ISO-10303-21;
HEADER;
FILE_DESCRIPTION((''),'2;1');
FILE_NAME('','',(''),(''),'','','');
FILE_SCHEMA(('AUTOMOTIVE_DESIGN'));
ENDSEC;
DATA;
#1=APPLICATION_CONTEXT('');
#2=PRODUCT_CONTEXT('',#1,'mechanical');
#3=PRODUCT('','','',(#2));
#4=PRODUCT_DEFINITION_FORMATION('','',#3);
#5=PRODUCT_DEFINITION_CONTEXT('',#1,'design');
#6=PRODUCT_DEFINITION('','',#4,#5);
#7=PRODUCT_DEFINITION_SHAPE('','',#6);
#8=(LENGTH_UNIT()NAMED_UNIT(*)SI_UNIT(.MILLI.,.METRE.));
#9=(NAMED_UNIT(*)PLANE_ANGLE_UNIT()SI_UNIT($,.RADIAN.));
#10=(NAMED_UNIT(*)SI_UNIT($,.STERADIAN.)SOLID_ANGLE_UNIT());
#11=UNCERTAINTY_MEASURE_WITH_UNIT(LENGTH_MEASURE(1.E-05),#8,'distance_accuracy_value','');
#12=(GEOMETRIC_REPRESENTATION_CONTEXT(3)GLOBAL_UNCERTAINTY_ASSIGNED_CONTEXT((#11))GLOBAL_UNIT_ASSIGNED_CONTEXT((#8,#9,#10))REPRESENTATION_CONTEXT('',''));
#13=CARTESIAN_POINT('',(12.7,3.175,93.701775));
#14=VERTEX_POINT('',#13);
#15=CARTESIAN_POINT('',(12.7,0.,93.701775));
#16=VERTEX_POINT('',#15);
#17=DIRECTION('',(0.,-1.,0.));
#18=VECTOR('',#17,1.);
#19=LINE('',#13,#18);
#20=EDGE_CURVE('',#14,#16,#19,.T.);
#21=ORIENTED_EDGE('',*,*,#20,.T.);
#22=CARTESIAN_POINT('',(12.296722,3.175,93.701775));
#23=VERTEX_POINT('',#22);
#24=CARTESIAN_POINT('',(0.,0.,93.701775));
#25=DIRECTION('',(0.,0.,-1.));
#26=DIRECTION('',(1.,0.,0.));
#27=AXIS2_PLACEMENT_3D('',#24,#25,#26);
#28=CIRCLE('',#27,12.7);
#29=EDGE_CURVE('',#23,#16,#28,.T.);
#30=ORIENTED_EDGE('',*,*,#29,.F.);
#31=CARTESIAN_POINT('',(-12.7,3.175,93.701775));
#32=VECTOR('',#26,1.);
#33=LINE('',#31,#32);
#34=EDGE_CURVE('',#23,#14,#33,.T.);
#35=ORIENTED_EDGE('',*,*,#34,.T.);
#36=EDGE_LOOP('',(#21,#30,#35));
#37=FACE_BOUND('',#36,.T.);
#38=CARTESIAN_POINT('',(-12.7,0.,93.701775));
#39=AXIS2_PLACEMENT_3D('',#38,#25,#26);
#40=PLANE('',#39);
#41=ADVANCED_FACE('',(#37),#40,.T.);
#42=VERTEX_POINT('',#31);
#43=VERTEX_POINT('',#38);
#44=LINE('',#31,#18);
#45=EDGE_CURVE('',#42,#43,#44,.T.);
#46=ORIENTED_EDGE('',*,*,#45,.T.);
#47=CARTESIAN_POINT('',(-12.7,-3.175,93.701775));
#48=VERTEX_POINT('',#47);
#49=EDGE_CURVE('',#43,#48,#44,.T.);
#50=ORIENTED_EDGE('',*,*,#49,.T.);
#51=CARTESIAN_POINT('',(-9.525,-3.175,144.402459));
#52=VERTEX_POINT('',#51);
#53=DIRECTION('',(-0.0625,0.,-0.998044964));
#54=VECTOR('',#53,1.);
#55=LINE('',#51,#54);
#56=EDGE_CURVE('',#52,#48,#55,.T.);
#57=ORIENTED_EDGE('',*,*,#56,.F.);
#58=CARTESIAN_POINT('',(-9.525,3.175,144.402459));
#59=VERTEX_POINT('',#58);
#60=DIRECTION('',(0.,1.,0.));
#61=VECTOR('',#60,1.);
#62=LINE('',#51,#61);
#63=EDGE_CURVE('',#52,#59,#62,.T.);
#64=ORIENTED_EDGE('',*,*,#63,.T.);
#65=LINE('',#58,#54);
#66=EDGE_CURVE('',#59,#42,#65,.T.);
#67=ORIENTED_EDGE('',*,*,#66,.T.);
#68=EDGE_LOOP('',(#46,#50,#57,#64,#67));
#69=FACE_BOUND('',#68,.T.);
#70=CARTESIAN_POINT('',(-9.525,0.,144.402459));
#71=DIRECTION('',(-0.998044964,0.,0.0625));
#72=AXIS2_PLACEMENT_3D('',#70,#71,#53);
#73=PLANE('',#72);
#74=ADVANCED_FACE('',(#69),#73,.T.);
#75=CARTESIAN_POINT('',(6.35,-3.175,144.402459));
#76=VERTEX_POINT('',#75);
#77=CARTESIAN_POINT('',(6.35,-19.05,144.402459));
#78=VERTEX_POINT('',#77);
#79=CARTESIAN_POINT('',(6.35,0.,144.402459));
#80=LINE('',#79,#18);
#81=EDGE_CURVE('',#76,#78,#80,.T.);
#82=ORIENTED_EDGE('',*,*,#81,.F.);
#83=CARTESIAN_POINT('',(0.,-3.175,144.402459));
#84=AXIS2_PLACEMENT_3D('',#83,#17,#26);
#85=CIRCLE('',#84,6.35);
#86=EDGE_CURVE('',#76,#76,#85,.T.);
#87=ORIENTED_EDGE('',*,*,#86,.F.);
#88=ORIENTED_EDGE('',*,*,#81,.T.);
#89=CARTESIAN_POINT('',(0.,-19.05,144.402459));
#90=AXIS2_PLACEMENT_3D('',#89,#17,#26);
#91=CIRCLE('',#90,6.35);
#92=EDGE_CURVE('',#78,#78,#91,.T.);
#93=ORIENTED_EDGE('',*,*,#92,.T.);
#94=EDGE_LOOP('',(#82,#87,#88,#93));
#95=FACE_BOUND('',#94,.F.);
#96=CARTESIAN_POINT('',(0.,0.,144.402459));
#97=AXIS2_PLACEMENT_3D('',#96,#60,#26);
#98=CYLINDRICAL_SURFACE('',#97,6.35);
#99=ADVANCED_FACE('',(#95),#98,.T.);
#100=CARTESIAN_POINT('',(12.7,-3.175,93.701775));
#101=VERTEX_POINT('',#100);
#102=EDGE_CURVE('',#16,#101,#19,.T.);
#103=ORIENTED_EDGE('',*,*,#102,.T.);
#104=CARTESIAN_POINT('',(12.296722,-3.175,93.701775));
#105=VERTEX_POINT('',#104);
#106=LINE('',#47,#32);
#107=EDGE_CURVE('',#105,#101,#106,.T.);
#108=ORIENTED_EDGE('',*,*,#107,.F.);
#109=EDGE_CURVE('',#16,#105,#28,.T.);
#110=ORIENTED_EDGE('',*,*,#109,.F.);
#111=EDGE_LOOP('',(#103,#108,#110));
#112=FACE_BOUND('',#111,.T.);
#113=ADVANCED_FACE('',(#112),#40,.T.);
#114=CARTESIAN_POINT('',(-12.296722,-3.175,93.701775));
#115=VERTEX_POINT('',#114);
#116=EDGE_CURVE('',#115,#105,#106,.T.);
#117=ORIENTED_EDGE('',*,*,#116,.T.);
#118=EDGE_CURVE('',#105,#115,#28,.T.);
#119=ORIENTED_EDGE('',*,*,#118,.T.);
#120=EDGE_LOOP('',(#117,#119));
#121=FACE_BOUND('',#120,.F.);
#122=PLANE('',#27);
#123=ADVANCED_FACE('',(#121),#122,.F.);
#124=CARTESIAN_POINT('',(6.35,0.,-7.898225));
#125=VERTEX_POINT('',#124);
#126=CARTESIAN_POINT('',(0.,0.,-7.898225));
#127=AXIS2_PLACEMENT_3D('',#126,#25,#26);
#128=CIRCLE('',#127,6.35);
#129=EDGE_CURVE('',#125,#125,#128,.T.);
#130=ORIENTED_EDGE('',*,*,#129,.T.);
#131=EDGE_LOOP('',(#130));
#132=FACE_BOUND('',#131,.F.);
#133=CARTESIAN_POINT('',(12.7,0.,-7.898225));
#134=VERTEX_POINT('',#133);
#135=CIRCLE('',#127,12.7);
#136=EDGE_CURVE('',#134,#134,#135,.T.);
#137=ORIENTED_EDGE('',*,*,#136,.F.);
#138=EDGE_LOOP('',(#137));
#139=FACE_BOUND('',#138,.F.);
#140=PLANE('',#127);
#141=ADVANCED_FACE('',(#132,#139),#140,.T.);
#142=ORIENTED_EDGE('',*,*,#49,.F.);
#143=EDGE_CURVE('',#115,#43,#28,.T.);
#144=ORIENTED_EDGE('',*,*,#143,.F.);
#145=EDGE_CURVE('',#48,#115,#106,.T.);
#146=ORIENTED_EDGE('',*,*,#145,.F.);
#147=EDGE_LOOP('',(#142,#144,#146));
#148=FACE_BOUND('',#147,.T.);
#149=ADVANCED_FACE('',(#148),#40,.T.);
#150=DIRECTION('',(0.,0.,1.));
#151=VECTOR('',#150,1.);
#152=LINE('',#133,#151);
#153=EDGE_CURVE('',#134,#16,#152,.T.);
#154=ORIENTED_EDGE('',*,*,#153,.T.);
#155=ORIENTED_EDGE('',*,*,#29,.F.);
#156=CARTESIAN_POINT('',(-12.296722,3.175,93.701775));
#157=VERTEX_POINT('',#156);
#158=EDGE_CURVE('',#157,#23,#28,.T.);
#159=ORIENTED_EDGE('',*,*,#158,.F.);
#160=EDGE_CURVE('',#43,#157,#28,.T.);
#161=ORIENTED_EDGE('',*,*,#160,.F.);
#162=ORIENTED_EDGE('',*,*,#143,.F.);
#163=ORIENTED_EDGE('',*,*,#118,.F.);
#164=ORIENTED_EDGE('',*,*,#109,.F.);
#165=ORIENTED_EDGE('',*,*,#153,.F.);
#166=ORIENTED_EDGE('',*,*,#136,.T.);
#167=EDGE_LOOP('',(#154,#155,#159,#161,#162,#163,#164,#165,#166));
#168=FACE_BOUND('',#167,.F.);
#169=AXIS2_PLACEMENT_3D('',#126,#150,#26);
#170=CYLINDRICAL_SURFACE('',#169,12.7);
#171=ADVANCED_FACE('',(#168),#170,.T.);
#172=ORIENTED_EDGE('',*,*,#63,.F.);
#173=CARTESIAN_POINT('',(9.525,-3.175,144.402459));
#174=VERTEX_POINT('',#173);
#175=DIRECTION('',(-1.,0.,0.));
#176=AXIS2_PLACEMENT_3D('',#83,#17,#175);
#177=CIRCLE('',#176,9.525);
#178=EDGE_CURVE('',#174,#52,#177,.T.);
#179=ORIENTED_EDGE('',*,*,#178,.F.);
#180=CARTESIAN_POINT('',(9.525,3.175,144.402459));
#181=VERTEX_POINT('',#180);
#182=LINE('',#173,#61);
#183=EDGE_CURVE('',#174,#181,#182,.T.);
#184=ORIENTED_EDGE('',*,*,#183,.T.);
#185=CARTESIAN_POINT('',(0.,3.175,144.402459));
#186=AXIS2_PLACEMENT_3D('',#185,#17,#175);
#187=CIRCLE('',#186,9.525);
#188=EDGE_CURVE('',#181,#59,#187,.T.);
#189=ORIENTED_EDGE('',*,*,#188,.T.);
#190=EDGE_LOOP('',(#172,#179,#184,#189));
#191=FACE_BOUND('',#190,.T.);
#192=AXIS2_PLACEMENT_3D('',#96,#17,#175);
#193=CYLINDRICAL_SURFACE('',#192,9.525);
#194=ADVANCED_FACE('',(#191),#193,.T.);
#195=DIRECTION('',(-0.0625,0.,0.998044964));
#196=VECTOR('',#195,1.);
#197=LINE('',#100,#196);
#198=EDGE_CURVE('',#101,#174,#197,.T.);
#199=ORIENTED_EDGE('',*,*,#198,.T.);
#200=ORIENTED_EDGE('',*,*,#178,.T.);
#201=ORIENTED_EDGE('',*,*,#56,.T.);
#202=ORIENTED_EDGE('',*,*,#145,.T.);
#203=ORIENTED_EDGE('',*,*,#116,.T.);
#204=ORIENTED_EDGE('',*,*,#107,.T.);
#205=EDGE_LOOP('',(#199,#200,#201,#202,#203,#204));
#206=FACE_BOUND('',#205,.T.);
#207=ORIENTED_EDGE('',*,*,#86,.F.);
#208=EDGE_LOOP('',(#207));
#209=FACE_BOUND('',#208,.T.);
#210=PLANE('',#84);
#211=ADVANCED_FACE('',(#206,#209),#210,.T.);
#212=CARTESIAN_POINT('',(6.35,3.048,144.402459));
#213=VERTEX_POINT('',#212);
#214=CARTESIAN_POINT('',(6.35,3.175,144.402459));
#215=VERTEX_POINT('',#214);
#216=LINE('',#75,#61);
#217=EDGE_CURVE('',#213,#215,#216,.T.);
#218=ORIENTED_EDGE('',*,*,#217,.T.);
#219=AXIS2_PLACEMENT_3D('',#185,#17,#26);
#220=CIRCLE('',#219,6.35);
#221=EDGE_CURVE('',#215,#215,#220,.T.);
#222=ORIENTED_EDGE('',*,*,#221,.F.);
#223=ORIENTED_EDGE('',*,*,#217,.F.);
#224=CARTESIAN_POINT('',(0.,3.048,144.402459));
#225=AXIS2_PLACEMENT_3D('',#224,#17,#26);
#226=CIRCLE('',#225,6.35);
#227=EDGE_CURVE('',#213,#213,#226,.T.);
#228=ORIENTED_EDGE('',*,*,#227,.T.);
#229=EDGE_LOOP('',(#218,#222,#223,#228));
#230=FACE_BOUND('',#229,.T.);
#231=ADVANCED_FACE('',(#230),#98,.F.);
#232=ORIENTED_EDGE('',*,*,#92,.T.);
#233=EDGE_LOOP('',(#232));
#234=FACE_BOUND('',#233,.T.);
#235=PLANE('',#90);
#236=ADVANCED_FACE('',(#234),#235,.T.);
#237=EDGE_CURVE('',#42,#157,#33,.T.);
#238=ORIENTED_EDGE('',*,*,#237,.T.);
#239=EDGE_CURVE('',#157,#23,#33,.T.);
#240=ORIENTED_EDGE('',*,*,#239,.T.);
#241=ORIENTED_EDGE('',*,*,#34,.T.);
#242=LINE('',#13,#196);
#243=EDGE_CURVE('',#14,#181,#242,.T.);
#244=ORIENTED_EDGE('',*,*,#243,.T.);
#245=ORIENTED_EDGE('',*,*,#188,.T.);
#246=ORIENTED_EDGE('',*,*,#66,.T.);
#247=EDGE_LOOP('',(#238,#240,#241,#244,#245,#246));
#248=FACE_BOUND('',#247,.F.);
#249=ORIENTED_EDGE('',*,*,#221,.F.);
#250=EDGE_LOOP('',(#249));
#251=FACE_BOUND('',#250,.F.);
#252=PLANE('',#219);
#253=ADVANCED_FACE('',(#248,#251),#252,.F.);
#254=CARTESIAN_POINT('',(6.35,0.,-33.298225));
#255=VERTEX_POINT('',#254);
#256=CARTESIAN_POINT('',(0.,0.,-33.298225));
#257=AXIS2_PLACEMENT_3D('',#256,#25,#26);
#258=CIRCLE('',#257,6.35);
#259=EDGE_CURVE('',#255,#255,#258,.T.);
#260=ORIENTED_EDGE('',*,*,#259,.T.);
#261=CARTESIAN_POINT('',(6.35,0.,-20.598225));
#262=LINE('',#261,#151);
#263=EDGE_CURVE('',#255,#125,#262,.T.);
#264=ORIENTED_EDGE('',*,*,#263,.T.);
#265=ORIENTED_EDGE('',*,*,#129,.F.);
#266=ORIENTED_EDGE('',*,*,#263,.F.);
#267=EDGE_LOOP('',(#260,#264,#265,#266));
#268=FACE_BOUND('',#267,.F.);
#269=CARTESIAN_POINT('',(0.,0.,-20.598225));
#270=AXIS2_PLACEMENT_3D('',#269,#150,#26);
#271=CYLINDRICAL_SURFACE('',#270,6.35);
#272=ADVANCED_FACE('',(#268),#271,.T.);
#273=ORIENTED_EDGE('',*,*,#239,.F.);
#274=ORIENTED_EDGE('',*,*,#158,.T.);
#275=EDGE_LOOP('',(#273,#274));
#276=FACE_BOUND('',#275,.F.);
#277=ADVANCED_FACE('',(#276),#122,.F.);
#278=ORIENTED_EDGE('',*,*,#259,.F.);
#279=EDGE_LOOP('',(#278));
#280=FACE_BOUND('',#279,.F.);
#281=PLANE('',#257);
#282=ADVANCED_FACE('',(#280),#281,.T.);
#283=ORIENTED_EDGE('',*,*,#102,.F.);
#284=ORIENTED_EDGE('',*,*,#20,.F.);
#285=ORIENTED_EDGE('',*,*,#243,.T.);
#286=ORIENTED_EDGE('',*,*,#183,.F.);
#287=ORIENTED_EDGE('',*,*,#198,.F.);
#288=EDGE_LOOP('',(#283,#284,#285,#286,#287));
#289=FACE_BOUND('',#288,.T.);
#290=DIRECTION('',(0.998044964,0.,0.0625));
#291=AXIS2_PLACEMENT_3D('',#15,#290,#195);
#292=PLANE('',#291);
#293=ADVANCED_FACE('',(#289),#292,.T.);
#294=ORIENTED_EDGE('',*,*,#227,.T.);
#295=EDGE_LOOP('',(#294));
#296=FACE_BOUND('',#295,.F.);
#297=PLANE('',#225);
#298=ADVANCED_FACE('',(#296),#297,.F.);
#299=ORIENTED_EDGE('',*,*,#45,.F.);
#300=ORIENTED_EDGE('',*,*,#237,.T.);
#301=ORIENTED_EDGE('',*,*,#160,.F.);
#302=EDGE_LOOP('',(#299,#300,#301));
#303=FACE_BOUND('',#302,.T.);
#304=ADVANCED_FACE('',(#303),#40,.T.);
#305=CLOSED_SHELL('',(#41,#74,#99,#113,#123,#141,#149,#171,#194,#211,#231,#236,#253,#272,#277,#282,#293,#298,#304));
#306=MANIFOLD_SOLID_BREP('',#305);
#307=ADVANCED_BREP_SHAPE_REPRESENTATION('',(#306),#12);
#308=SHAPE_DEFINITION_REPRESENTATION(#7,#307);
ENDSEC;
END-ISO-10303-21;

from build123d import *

# Parameters (mm, degrees)
F2_DEPTH = 3.175
F0_R     = 6.35
F3_DEPTH = 3.175
F4_DEPTH = 19.05
F0_W     = 6.35
F0_H     = 25.4
F6_DEPTH = 3.048


with BuildPart() as f1:
    # F0 (on Front) → F1 (revolve)
    with BuildSketch(Plane.XZ):
        Polygon((12.7, 93.701775), (0, 93.701775), (0, -7.898225), (6.35, -7.898225), (12.7, -7.898225), align=None)
    revolve(axis=Axis((0, 0, 42.901775), (0, 0, -1)))

    # F0 (on Front) → F2 (join, symmetric)
    with BuildSketch(Plane.XZ):
        with BuildLine():
            Line((-9.525, 144.402459), (-12.7, 93.701775))
            Line((-12.7, 93.701775), (0, 93.701775))
            Line((0, 93.701775), (12.7, 93.701775))
            Line((12.7, 93.701775), (9.525, 144.402459))
            ThreePointArc((9.525, 144.402459), (0, 134.877459), (-9.525, 144.402459))
        make_face()
    extrude(amount=F2_DEPTH, both=True)

    # F0 (on Front) → F3 (join, symmetric)
    with BuildSketch(Plane.XZ):
        with BuildLine():
            ThreePointArc((9.525, 144.402459), (0, 153.927459), (-9.525, 144.402459))
            ThreePointArc((-9.525, 144.402459), (0, 134.877459), (9.525, 144.402459))
        make_face()
        with Locations((0, 144.402459)):
            Circle(F0_R, mode=Mode.SUBTRACT)
    extrude(amount=F3_DEPTH, both=True)

    # F0 (on Front) → F4 (join)
    with BuildSketch(Plane.XZ):
        with Locations((0, 144.402459)):
            Circle(F0_R)
    extrude(amount=F4_DEPTH)

    # F0 (on Front) → F5 (revolve)
    with BuildSketch(Plane.XZ):
        with Locations((3.175, -20.598225)):
            Rectangle(F0_W, F0_H)
    revolve(axis=Axis((0, 0, -20.598225), (0, 0, -1)))

    # F0 (on Front) → F6 (join)
    with BuildSketch(Plane.XZ):
        with Locations((0, 144.402459)):
            Circle(F0_R)
    extrude(amount=-F6_DEPTH)


solid = f1.part
